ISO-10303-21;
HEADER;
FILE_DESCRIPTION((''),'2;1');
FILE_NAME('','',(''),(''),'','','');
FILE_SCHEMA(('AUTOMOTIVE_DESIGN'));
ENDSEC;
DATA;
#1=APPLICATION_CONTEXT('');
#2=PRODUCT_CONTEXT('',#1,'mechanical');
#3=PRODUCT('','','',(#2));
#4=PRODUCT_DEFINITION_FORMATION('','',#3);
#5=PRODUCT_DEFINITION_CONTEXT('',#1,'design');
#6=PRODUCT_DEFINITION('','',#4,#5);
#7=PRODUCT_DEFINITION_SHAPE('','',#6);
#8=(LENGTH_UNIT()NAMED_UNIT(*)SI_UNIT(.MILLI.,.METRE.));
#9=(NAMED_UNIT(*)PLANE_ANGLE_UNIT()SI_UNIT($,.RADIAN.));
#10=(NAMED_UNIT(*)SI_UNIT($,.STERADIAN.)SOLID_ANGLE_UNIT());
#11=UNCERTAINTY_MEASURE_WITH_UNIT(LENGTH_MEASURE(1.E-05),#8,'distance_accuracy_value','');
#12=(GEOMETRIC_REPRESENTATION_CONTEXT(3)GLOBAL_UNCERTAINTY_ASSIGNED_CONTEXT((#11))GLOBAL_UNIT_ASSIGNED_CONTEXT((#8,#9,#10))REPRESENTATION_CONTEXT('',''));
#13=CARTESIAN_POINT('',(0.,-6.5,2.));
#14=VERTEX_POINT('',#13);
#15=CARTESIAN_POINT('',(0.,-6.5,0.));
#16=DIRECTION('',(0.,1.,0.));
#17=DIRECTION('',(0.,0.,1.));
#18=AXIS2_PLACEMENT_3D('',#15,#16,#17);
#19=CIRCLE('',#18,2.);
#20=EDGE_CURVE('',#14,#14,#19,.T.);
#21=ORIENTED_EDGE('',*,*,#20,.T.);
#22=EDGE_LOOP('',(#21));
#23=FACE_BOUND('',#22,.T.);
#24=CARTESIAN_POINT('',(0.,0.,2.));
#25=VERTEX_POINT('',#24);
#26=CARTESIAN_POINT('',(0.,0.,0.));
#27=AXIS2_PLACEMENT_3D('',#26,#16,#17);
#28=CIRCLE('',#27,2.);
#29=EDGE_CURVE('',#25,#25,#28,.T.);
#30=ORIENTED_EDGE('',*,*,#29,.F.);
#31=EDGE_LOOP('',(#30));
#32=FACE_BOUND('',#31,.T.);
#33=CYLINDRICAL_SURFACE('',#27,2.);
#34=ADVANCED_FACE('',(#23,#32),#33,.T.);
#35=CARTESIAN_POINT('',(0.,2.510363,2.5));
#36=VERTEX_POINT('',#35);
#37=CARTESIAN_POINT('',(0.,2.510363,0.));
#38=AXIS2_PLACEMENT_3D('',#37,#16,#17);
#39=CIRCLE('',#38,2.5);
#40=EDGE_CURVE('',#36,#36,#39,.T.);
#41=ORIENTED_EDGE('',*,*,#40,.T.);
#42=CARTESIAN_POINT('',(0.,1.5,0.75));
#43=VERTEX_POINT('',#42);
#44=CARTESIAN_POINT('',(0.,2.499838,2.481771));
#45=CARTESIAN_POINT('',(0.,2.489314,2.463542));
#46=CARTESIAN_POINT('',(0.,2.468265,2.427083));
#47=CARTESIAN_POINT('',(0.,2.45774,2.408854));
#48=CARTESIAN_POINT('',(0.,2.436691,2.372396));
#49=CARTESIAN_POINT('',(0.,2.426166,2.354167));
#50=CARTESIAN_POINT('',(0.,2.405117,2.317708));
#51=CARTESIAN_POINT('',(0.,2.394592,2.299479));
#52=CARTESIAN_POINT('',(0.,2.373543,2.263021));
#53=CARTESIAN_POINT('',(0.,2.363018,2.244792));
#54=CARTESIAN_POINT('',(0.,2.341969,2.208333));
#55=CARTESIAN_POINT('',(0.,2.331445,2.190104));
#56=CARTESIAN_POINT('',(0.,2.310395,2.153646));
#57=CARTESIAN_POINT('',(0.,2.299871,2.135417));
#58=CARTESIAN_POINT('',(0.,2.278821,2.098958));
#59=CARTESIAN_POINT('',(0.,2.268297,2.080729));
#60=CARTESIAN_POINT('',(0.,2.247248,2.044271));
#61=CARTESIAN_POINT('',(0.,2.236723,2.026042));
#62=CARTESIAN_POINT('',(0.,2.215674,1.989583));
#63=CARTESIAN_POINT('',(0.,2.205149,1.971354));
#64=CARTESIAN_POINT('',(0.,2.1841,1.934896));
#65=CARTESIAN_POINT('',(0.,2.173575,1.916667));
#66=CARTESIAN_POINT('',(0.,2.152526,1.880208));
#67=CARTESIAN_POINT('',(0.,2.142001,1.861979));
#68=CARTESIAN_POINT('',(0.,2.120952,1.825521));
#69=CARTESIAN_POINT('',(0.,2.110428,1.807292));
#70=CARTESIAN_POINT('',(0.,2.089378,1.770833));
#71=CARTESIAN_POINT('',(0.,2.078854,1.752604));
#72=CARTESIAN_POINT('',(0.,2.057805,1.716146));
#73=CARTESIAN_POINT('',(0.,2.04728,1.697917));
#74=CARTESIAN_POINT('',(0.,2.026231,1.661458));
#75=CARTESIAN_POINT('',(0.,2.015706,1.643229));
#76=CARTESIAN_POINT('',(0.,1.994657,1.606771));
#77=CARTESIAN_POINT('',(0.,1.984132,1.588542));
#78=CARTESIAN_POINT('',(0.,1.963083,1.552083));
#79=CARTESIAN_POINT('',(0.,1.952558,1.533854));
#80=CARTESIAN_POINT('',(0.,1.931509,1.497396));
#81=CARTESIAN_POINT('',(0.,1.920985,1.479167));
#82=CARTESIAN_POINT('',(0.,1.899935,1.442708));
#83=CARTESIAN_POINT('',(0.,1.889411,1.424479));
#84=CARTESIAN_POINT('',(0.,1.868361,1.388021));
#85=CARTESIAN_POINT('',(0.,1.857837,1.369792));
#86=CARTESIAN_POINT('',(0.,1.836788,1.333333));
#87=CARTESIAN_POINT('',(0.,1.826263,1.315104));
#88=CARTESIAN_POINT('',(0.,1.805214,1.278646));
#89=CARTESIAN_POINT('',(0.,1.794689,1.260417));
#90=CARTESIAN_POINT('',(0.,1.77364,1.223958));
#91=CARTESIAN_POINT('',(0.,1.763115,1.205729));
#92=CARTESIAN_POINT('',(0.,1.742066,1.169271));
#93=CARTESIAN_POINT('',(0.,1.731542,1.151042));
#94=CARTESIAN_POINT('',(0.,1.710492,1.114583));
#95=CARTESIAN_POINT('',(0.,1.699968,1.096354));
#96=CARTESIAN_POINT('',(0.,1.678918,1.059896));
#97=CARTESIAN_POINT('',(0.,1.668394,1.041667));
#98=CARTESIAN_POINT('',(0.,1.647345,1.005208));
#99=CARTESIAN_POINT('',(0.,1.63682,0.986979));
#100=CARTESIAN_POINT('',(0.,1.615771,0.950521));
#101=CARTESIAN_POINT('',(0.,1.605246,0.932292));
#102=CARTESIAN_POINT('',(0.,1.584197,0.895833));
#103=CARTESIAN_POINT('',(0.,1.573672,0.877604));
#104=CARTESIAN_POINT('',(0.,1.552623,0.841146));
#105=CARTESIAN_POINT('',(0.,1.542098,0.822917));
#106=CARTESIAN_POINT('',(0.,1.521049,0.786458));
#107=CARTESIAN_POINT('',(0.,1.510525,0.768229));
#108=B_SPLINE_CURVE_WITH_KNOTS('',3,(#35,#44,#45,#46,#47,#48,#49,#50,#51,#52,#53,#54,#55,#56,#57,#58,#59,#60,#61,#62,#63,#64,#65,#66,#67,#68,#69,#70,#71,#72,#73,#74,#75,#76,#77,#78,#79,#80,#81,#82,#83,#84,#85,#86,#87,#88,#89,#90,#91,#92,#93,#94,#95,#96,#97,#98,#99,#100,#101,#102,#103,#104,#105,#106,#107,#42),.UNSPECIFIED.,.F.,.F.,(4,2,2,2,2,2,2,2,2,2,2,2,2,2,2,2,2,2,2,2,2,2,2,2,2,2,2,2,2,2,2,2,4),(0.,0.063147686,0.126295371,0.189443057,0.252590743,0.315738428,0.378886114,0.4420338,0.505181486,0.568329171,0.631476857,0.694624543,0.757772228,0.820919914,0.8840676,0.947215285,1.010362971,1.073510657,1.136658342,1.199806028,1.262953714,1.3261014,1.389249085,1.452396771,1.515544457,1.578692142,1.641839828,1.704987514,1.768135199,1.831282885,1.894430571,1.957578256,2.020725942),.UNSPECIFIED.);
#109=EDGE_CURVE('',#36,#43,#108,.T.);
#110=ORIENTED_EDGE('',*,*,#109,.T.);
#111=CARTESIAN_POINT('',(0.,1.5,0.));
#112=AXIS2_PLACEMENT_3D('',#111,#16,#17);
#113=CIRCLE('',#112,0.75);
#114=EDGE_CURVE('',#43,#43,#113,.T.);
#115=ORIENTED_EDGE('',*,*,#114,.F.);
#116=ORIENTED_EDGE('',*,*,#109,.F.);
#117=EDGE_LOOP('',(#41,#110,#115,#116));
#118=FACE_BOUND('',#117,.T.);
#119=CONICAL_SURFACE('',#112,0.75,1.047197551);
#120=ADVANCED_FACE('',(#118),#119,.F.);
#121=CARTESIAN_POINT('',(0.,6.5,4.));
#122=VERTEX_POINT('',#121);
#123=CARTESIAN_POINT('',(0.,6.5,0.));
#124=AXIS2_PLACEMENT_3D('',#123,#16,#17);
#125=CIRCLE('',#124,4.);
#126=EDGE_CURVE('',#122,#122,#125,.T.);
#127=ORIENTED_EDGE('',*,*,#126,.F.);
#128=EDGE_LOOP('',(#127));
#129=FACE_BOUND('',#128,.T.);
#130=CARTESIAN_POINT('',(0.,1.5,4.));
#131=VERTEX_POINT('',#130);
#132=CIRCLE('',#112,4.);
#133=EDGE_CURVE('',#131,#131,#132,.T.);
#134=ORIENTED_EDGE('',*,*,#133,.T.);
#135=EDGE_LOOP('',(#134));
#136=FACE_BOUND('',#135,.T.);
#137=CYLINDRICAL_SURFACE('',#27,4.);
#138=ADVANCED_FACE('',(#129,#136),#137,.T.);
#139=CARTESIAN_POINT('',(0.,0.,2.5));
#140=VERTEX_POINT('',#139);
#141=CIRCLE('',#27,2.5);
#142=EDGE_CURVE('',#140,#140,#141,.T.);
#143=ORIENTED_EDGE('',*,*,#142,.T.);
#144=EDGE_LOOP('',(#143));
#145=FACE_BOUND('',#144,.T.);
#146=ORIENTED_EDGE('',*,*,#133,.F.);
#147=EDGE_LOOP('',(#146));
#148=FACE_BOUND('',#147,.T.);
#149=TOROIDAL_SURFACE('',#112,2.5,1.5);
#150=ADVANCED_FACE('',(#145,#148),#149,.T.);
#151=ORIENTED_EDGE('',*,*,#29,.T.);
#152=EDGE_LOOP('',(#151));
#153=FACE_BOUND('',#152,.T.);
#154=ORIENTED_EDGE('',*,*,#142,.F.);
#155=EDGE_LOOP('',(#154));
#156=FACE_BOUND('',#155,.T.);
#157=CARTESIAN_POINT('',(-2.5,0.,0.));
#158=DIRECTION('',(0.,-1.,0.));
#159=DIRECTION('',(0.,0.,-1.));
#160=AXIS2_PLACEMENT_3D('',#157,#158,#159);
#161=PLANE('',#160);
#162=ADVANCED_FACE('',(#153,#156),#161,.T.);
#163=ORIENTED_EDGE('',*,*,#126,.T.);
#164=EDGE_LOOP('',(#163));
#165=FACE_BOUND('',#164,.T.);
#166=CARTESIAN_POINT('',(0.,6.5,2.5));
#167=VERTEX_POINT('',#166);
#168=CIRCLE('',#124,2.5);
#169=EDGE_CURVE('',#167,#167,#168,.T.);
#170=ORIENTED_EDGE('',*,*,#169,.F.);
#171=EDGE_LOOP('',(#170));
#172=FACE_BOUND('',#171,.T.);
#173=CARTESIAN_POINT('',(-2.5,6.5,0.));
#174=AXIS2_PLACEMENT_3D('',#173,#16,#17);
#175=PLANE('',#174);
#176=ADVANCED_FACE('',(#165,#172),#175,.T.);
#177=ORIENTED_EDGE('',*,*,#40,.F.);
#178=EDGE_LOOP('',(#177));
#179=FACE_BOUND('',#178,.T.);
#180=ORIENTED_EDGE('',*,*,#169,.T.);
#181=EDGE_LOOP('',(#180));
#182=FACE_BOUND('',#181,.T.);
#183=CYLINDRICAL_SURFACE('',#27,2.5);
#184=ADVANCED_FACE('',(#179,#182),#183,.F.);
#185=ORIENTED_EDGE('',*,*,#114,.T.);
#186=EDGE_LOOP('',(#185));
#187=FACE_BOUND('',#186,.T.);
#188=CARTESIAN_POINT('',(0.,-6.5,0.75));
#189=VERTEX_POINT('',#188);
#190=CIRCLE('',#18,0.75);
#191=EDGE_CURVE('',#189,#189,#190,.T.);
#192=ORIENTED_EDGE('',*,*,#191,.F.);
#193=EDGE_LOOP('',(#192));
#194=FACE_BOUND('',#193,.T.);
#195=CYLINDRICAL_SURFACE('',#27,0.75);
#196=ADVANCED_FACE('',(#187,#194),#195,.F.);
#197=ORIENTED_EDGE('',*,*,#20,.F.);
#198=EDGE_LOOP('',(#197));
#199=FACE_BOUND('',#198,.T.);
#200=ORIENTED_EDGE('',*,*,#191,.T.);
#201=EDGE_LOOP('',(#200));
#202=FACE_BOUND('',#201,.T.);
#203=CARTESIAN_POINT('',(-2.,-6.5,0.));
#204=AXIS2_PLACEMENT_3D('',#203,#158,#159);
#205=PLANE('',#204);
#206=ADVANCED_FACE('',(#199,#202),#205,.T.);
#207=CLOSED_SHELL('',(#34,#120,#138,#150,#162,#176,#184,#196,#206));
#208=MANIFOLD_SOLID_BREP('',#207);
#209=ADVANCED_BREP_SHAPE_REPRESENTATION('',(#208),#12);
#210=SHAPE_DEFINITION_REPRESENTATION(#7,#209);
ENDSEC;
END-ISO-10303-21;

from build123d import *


with BuildPart() as part:
    # Sketch1 → Revolve1 (revolve)
    with BuildSketch(Plane.XY, mode=Mode.PRIVATE) as revolve1_sk:
        with BuildLine():
            Line((-2.5, 0), (-2, 0))
            Line((-2, 0), (-2, -6.5))
            Line((-2, -6.5), (-0.75, -6.5))
            Line((-0.75, -6.5), (-0.75, 1.5))
            Line((-0.75, 1.5), (-2.5, 2.510362971))
            Line((-2.5, 2.510362971), (-2.5, 6.5))
            Line((-2.5, 6.5), (-4, 6.5))
            Line((-4, 6.5), (-4, 1.5))
            ThreePointArc((-4, 1.5), (-3.560660172, 0.439339828), (-2.5, 0))
        make_face()
    revolve(revolve1_sk.sketch.rotate(Axis((0, 0, 0), (0, -1, 0)), 270), axis=Axis((0, 0, 0), (0, -1, 0)))


solid = part.part
